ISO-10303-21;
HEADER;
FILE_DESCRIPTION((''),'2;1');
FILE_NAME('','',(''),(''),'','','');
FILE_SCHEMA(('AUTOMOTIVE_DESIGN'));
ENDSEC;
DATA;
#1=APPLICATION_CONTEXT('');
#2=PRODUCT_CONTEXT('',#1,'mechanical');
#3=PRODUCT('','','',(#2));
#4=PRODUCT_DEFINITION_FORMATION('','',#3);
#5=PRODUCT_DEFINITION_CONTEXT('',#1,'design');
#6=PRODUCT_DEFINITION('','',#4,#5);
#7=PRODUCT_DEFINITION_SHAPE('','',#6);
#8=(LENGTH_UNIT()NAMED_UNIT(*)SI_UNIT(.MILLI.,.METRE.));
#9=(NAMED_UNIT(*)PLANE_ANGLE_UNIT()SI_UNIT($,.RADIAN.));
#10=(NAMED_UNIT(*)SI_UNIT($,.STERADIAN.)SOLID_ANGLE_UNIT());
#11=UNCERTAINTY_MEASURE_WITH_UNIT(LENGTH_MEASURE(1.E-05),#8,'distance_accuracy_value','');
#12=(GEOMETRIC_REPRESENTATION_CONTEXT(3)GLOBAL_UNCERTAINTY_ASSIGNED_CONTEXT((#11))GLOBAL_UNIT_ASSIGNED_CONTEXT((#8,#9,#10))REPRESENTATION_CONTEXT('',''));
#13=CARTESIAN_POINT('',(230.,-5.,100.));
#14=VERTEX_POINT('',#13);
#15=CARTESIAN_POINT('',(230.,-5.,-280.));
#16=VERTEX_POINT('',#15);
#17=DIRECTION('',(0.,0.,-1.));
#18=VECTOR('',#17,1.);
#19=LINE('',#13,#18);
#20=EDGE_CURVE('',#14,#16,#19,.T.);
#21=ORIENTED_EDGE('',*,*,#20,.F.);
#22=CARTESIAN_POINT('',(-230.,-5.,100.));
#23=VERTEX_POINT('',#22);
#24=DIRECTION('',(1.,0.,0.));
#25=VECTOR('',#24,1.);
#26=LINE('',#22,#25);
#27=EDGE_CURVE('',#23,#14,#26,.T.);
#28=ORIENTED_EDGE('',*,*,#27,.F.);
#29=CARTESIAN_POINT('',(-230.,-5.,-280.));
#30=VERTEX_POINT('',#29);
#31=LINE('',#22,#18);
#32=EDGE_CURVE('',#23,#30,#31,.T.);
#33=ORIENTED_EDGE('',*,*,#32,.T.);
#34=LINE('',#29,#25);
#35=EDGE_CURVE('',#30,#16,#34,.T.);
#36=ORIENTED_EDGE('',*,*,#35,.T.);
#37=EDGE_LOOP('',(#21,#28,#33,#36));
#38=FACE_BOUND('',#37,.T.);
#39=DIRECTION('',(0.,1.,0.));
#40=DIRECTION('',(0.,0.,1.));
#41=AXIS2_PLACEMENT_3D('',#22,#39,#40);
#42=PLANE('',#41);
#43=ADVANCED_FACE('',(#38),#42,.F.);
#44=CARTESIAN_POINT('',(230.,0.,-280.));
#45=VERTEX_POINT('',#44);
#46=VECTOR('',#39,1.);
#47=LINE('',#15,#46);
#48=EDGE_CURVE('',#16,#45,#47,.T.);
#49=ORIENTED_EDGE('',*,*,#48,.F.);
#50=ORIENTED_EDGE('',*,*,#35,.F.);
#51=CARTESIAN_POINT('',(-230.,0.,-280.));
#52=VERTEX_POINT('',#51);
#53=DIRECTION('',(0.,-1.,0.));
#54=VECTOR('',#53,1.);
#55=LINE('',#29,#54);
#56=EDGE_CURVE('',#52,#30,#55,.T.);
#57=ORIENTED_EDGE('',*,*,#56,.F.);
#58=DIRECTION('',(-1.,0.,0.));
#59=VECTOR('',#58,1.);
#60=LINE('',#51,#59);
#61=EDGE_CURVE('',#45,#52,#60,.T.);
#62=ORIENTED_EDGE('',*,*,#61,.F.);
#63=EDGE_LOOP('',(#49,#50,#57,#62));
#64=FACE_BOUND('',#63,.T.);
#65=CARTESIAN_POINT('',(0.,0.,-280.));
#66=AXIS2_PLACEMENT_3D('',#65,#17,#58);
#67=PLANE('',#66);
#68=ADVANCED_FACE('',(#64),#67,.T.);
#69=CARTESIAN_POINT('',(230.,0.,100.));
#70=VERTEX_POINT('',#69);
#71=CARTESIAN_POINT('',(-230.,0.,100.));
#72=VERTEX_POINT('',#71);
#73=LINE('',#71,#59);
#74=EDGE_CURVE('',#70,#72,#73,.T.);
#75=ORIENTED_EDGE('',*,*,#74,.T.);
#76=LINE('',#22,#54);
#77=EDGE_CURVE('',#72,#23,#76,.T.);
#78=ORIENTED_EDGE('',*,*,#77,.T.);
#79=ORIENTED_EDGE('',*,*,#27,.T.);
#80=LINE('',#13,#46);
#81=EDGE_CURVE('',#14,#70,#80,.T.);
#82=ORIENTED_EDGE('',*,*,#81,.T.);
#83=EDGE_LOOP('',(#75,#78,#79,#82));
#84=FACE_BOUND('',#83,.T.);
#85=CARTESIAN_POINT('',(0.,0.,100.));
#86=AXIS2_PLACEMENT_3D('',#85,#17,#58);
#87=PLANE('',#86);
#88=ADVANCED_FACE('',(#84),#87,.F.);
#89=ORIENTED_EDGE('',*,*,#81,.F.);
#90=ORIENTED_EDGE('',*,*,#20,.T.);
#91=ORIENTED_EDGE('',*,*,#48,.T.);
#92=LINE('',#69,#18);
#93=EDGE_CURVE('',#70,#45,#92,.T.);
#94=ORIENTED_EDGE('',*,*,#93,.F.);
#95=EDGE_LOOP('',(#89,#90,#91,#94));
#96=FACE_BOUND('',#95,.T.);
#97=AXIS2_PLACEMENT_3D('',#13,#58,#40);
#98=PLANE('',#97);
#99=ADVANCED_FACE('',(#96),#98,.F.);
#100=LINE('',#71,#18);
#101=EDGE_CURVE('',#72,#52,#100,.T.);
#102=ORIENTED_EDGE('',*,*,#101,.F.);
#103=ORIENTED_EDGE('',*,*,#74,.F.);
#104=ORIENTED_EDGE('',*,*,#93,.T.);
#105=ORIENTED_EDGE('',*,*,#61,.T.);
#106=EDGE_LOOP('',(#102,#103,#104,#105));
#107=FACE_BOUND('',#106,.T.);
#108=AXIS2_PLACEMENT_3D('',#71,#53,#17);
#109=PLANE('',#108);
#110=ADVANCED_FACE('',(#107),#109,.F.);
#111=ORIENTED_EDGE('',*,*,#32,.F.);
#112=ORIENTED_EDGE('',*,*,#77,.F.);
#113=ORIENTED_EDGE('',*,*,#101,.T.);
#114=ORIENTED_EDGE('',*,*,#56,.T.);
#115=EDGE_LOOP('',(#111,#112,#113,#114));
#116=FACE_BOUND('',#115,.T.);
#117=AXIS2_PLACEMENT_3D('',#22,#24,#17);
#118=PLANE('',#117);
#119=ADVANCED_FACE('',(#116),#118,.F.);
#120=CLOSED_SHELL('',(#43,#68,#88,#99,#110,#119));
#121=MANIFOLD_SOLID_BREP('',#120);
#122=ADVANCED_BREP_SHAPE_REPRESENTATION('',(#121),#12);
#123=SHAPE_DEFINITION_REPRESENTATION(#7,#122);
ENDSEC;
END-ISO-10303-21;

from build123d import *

# Parameters (mm, degrees)
EXTRUDE_START    = -280
SKETCH_1_W       = 460
SKETCH_1_H       = 5
EXTRUDE_Y0_DEPTH = 380


with BuildPart() as part:
    # 草图1 → 地面基准_顶面Y0 (new body)
    with BuildSketch(Plane.XY.offset(EXTRUDE_START)):
        with Locations((0, -2.5)):
            Rectangle(SKETCH_1_W, SKETCH_1_H)
    extrude(amount=EXTRUDE_Y0_DEPTH)


solid = part.part
